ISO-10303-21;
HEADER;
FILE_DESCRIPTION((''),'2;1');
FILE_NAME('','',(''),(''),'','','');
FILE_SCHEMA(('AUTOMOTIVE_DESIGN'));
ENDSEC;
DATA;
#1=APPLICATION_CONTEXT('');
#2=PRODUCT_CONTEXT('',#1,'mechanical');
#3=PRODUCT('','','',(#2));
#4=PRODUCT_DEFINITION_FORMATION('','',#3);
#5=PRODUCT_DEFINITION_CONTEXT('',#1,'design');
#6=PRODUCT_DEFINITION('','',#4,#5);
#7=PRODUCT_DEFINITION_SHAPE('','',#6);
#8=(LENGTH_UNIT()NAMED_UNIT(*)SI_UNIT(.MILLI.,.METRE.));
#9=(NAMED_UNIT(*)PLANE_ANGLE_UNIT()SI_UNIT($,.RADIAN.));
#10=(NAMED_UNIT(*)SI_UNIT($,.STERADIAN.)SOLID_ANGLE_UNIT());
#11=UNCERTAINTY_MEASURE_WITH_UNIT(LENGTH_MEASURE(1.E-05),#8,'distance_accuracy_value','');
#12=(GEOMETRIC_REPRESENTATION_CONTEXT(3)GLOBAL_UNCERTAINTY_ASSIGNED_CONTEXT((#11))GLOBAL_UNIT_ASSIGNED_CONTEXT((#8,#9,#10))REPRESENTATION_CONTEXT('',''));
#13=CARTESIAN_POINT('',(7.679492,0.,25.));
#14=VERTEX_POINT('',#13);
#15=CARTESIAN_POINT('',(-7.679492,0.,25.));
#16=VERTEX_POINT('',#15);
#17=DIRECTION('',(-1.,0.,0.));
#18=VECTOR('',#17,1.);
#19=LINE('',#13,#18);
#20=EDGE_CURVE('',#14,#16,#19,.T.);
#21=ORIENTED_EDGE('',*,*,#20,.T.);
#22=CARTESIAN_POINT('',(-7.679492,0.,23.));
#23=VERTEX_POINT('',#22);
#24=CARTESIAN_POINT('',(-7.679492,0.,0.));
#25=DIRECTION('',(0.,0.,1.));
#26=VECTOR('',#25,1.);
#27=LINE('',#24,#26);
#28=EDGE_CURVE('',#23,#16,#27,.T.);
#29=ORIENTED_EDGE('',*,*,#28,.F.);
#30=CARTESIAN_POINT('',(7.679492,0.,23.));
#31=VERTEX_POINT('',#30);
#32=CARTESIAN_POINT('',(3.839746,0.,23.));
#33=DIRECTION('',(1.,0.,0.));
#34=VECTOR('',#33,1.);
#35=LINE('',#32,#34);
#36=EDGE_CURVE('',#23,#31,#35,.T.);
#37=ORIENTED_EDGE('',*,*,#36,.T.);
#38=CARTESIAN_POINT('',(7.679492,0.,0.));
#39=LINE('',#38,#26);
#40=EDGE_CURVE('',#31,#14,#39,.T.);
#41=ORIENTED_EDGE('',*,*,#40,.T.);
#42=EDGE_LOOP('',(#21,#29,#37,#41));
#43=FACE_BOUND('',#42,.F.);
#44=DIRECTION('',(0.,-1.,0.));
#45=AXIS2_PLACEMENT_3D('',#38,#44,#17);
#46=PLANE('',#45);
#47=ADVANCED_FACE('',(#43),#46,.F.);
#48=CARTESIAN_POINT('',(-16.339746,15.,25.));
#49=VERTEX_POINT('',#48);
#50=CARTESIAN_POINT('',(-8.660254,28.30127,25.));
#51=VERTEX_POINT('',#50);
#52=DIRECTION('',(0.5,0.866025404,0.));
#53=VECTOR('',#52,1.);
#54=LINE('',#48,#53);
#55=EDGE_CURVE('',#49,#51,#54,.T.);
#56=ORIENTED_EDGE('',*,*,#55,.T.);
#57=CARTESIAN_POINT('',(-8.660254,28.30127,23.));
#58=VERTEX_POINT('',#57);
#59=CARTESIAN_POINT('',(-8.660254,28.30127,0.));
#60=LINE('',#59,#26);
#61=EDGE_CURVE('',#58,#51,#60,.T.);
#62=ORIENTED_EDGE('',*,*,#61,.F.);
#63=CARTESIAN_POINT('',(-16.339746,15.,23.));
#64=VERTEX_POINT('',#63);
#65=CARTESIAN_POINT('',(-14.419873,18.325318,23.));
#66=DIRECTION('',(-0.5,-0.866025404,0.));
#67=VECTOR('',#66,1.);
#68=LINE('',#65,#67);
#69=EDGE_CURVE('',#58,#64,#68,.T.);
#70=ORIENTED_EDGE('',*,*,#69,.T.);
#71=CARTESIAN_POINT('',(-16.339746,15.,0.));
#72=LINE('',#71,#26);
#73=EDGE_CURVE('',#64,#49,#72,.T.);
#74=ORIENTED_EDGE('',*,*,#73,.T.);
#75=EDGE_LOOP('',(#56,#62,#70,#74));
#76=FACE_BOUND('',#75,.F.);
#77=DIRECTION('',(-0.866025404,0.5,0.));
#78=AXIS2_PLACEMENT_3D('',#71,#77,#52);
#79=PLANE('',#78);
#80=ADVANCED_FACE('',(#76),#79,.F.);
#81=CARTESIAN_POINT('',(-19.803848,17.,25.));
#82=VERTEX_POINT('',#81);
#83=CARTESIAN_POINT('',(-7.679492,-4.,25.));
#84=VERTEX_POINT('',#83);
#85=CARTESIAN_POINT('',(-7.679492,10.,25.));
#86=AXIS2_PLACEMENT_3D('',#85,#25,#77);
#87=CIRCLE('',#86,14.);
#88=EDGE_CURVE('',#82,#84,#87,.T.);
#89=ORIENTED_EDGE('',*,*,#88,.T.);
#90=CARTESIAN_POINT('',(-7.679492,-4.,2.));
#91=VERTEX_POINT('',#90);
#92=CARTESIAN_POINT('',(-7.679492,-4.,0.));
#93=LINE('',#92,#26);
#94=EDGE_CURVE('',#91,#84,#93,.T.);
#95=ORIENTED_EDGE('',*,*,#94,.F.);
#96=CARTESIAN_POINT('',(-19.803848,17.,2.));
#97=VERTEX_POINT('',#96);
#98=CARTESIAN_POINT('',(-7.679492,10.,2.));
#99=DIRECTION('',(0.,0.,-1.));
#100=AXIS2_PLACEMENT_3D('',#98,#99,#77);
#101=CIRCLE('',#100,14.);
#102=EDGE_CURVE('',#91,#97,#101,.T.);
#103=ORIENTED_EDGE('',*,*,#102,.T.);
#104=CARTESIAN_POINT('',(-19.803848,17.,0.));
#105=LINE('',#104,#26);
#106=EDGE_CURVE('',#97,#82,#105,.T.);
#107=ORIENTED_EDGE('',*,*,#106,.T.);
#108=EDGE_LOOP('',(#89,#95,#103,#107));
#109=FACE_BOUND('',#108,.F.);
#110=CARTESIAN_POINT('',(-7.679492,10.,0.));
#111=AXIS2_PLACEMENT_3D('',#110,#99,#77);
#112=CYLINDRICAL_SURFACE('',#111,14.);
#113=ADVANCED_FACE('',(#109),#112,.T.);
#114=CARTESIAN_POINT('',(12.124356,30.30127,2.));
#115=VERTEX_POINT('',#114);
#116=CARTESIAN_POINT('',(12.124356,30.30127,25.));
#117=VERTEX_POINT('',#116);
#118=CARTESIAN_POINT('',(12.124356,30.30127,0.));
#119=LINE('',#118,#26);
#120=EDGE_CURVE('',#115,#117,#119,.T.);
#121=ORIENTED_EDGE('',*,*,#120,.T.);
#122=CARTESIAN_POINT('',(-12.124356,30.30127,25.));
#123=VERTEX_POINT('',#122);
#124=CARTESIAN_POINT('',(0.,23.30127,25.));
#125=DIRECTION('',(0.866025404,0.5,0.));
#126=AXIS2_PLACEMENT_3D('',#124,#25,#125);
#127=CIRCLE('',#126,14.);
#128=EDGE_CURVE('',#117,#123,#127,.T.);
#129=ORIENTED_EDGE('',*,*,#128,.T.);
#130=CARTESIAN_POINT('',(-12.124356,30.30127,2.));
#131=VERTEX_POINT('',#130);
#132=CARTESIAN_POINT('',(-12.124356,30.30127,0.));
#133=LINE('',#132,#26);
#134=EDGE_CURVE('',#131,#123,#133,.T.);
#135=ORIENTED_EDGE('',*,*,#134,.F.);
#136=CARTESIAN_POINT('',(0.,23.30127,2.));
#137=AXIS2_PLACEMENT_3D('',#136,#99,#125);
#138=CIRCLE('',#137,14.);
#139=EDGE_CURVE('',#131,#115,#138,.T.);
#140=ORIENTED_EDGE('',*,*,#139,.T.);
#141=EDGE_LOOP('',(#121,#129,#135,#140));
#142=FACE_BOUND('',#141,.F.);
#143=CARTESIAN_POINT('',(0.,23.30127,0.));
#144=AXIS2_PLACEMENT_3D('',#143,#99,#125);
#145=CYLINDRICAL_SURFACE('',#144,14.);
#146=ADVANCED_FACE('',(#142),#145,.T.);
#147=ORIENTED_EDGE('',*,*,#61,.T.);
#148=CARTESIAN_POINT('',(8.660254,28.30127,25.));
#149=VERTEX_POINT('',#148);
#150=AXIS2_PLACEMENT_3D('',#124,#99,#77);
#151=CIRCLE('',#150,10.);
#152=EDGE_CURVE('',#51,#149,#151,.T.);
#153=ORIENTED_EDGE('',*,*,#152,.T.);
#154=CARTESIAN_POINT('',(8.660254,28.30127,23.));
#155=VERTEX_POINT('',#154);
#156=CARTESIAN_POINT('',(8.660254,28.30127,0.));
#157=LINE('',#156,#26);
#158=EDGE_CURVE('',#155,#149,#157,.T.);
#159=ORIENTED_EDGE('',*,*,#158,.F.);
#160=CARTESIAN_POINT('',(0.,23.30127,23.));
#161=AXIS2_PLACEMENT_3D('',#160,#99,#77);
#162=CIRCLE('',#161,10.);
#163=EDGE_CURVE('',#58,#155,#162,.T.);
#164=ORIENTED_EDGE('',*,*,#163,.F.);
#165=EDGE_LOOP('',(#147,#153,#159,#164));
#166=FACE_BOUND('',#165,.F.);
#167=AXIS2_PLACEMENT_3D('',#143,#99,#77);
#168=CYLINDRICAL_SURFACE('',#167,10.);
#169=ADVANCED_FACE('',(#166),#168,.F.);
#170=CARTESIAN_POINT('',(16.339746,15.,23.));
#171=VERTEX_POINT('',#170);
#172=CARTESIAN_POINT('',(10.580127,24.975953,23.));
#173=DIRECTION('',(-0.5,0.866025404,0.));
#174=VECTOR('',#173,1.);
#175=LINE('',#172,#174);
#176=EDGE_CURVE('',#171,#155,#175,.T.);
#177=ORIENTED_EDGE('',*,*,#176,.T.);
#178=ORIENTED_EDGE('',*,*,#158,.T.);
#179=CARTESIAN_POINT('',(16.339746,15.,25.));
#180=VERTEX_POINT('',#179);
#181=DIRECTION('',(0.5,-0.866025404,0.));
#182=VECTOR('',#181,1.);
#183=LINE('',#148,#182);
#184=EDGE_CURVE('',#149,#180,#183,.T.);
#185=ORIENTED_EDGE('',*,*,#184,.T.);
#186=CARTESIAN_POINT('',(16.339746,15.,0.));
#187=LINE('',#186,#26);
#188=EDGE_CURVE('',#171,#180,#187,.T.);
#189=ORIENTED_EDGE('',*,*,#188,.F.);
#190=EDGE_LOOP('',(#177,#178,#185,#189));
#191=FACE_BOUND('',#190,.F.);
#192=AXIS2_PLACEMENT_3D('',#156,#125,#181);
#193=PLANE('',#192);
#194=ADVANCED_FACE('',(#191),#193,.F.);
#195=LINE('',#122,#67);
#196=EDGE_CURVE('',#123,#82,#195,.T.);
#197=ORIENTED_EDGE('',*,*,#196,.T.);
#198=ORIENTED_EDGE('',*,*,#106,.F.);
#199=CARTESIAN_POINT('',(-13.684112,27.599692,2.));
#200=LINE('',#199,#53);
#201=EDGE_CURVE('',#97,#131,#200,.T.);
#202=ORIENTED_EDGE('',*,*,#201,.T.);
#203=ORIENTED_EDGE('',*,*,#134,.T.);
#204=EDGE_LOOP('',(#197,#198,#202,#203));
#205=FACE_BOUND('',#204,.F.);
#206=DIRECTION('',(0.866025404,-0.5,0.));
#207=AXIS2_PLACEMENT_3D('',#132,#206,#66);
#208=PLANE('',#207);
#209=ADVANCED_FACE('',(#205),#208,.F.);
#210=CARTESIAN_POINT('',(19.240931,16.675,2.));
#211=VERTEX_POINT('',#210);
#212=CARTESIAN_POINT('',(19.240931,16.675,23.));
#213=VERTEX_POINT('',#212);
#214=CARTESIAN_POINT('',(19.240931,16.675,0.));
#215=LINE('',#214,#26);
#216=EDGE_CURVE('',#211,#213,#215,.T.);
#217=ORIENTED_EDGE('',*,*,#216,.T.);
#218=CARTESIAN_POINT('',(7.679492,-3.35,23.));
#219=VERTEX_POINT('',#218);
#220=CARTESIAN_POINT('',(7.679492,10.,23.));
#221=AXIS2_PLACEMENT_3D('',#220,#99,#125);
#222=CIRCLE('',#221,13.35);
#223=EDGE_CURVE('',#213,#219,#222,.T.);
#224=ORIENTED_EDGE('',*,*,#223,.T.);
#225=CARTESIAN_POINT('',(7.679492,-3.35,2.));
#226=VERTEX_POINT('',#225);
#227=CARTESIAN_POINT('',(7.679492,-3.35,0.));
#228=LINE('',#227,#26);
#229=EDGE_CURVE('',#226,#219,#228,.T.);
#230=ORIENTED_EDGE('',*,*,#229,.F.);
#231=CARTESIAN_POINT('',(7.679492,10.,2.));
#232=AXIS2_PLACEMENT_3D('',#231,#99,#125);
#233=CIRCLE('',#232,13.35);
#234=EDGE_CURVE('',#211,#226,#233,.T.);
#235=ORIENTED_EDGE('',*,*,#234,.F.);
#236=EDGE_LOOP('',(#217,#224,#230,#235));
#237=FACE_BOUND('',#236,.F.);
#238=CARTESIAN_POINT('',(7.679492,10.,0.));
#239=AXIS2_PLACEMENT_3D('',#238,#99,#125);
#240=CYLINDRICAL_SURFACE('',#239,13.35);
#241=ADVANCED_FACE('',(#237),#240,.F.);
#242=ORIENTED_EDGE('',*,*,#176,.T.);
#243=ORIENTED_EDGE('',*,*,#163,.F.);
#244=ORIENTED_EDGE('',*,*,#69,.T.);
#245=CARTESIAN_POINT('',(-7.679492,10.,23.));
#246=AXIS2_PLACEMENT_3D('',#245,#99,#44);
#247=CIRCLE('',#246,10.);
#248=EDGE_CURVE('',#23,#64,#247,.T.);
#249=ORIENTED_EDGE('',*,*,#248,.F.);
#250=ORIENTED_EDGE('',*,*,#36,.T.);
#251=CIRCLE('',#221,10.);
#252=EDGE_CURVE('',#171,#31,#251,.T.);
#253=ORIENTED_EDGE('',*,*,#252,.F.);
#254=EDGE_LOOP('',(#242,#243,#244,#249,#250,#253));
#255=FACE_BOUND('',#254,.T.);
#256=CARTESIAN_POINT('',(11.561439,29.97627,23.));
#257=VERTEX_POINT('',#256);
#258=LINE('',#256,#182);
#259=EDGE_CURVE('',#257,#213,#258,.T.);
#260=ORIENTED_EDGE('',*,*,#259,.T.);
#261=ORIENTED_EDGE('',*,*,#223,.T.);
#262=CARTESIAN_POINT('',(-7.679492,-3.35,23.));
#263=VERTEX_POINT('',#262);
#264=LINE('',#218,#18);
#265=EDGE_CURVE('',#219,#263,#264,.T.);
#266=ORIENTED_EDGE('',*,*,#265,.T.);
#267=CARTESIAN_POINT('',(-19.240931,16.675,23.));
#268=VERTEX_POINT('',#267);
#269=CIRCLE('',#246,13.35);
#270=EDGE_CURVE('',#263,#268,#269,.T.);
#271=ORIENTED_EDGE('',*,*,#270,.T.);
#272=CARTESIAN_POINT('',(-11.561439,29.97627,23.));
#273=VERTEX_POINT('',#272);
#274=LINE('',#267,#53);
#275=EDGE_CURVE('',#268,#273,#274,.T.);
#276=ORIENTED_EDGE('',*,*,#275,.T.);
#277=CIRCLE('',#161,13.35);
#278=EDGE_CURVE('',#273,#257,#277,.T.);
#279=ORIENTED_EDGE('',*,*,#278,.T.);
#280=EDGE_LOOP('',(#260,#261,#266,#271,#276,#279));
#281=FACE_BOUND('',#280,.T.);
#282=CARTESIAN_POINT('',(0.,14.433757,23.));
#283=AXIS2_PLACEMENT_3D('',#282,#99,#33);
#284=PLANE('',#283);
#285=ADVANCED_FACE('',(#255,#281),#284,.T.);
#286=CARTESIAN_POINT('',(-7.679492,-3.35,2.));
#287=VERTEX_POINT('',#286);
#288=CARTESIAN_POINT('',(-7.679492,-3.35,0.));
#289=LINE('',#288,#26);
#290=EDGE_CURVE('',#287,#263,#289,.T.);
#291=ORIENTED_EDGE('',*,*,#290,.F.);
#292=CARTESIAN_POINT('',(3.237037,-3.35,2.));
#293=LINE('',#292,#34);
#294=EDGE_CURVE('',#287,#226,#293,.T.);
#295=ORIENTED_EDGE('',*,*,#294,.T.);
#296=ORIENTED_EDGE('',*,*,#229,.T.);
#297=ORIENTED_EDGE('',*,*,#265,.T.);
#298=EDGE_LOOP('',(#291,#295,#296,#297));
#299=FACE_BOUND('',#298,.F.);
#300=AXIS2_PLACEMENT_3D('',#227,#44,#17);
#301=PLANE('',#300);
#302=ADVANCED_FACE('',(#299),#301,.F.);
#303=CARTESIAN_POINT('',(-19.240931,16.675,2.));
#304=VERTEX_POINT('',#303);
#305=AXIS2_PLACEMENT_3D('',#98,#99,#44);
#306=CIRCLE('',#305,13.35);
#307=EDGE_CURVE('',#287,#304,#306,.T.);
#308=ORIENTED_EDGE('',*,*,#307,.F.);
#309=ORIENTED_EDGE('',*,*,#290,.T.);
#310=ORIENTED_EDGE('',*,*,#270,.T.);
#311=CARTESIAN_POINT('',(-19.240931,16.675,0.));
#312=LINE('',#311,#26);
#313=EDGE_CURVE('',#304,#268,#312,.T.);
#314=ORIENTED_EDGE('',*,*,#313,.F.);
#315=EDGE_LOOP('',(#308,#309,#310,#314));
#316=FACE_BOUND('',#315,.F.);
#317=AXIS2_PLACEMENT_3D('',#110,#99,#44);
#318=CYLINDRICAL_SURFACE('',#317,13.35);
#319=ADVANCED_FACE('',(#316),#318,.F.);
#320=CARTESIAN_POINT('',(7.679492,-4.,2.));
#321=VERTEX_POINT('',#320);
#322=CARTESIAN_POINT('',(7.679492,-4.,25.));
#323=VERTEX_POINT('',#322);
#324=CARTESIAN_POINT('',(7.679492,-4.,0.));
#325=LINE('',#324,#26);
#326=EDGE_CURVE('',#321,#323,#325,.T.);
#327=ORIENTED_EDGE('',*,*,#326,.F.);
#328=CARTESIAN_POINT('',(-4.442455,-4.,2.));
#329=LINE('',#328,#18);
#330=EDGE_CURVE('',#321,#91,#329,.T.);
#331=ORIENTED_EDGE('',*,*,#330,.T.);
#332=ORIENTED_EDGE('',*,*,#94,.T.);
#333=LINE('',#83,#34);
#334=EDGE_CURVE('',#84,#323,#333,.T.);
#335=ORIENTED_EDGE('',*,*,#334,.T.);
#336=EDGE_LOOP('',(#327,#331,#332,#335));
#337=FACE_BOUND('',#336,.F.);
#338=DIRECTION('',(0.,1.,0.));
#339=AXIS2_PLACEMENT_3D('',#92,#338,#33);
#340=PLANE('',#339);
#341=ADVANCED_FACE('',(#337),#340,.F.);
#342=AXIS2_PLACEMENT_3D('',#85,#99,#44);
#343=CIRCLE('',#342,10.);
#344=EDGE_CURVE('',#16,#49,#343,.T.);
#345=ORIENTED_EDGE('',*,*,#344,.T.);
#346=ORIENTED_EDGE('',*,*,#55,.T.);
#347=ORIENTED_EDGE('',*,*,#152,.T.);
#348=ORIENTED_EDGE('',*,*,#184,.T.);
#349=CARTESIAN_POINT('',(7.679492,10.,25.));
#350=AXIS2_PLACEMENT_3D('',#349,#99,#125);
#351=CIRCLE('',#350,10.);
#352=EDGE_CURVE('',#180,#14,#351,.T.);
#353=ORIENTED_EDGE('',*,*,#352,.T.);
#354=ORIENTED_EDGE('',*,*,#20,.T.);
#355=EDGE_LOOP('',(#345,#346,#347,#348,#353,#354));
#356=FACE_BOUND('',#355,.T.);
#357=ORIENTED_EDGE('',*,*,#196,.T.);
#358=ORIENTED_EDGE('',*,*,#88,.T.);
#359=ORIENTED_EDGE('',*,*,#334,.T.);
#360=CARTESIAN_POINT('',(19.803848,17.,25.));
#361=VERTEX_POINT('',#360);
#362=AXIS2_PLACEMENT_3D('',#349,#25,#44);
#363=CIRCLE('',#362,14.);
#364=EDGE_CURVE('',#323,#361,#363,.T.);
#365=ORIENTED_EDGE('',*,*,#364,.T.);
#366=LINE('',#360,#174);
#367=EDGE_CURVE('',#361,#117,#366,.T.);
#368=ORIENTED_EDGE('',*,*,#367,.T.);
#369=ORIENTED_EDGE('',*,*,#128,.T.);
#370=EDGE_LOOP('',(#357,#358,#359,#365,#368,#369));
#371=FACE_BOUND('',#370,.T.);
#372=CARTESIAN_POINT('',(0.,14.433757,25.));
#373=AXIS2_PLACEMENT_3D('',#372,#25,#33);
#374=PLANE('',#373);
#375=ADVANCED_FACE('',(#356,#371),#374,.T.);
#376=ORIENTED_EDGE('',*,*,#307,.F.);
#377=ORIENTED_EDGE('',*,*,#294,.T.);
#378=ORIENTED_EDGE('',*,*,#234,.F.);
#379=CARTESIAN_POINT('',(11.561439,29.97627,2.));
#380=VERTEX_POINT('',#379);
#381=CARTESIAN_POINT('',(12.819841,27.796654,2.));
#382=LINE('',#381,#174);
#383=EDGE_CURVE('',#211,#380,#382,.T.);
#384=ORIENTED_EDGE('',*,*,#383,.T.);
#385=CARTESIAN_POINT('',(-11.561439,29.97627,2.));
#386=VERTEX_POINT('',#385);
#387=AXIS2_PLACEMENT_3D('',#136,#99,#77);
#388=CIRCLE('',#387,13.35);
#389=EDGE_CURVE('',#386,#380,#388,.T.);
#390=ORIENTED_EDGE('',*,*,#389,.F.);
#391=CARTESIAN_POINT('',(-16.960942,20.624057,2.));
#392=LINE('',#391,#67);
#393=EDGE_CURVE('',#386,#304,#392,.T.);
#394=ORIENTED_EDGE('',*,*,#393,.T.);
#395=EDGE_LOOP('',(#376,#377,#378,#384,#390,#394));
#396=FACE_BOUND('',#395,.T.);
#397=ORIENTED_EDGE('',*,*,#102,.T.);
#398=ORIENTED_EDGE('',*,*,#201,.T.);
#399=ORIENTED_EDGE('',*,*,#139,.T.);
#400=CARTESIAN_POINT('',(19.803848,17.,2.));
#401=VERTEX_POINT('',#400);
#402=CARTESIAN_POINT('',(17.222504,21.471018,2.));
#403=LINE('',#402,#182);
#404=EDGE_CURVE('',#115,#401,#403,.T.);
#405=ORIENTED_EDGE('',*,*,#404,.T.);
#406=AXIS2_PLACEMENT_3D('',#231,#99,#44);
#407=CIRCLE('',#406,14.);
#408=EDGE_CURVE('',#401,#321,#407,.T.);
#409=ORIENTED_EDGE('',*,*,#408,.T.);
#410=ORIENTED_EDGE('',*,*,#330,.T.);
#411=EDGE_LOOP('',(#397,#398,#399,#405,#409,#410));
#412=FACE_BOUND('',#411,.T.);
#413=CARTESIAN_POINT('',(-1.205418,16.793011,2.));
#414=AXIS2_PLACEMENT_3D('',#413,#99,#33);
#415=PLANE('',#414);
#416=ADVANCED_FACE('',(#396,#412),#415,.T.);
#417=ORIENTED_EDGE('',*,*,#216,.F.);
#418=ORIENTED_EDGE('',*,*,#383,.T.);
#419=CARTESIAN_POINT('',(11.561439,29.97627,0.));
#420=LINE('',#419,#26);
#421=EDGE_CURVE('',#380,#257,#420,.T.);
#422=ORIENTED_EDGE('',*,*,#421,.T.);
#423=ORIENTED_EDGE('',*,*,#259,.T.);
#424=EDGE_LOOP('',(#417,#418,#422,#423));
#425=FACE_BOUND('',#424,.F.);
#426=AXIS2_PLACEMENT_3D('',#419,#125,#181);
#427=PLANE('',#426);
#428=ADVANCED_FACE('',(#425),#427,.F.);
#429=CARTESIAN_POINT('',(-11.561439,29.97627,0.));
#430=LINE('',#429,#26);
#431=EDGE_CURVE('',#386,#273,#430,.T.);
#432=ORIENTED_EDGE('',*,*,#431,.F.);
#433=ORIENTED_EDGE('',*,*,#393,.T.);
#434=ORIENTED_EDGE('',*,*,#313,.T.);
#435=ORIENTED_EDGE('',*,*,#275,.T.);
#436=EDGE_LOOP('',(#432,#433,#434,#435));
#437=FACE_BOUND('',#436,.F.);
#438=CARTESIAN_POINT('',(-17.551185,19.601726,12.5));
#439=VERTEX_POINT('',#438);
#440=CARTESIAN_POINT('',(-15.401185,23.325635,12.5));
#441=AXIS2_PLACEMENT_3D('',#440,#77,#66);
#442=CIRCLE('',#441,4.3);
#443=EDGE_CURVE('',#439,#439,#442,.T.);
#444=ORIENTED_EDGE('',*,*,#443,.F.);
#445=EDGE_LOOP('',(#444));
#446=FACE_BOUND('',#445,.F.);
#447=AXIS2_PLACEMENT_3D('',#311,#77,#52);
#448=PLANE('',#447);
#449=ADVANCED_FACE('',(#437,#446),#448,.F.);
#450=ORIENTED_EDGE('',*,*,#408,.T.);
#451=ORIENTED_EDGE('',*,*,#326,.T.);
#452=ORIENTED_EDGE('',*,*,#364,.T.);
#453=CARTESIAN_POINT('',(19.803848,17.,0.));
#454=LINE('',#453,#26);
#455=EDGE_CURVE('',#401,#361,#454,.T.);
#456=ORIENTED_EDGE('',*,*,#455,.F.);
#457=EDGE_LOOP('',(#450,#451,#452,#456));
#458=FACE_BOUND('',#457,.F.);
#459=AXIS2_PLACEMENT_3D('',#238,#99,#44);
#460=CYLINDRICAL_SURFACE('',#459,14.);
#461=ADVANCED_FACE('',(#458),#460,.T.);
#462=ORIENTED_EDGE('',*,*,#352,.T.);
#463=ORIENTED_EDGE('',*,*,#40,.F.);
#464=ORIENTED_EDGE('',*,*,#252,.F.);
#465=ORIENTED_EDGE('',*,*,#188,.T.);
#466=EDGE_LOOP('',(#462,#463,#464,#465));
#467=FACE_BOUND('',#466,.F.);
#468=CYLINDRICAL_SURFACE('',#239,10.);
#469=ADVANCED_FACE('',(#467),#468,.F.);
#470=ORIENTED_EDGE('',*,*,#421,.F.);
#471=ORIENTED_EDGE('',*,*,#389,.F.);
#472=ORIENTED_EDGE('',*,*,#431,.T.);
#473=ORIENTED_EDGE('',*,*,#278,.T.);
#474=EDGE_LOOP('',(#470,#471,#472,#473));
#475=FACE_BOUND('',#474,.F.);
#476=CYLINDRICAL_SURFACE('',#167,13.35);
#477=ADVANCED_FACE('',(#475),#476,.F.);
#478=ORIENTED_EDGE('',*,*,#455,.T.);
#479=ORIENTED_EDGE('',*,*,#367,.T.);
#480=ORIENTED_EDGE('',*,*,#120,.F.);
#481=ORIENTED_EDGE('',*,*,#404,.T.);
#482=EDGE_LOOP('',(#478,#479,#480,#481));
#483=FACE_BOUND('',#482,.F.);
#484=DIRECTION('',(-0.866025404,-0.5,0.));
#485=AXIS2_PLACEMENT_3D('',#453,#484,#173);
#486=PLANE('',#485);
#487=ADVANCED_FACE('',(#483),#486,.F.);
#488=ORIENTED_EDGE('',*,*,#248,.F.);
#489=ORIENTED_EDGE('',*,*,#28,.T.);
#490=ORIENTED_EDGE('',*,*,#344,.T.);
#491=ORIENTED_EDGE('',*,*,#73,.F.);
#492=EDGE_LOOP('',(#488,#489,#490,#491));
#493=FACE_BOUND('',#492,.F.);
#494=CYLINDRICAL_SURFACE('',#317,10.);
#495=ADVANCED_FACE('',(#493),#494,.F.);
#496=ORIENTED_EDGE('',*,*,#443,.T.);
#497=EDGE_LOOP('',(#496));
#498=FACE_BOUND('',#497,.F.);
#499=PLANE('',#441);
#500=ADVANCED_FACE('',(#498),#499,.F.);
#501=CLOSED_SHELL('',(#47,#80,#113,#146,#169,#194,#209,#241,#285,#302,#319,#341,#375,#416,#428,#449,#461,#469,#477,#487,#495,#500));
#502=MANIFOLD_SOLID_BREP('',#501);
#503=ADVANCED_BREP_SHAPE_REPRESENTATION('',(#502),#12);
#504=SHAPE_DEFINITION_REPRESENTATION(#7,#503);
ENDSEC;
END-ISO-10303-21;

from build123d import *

# Parameters (mm, degrees)
F1_DEPTH = 25
F3_START = -0.65
F2_R     = 4.3
F3_DEPTH = 2.15
F6_DEPTH = 23
F7_R     = 33.55183595
F8_DEPTH = 2


with BuildPart() as f1:
    # F0 (on Top) → F1 (new body)
    with BuildSketch(Plane.XY):
        with BuildLine():
            ThreePointArc((7.6794919243, -4), (19.8038475773, 3), (19.8038475773, 17))
            Line((19.8038475773, 17), (12.124355653, 30.3012701892))
            ThreePointArc((12.124355653, 30.3012701892), (0, 37.3012701892), (-12.124355653, 30.3012701892))
            Line((-12.124355653, 30.3012701892), (-19.8038475773, 17))
            ThreePointArc((-19.8038475773, 17), (-19.8038475773, 3), (-7.6794919243, -4))
            Line((-7.6794919243, -4), (0, -4))
            Line((0, -4), (7.6794919243, -4))
        make_face()
        with BuildLine():
            Line((7.6794919243, 0), (0, 0))
            Line((0, 0), (-7.6794919243, 0))
            ThreePointArc((-7.6794919243, 0), (-16.3397459622, 5), (-16.3397459622, 15))
            Line((-16.3397459622, 15), (-8.6602540378, 28.3012701892))
            ThreePointArc((-8.6602540378, 28.3012701892), (0, 33.3012701892), (8.6602540378, 28.3012701892))
            Line((8.6602540378, 28.3012701892), (16.3397459622, 15))
            ThreePointArc((16.3397459622, 15), (16.3397459622, 5), (7.6794919243, 0))
        make_face(mode=Mode.SUBTRACT)
    extrude(amount=F1_DEPTH)

    # F2 (on face) → F3 (cut)
    with BuildSketch(Plane(origin=(-22.2141016151, 12.8253175473, 0), x_dir=(-0.5, -0.8660254038, 0), z_dir=(-0.8660254038, 0.5, 0)).offset(F3_START)):
        with Locations((-12.5, 12.5)):
            Circle(F2_R)
    extrude(amount=-F3_DEPTH, mode=Mode.SUBTRACT)

    # F5 (on face) → F6 (cut)
    with BuildSketch(Plane(origin=(0, 0, 0), x_dir=(1, 0, 0), z_dir=(0, 0, -1))):
        with BuildLine():
            Line((-19.2409310648, -16.675), (-11.5614391405, -29.9762701892))
            ThreePointArc((-11.5614391405, -29.9762701892), (0, -36.6512701892), (11.5614391405, -29.9762701892))
            Line((11.5614391405, -29.9762701892), (19.2409310648, -16.675))
            ThreePointArc((19.2409310648, -16.675), (19.2409310648, -3.325), (7.6794919243, 3.35))
            Line((7.6794919243, 3.35), (-7.6794919243, 3.35))
            ThreePointArc((-7.6794919243, 3.35), (-19.2409310648, -3.325), (-19.2409310648, -16.675))
        make_face()
    extrude(amount=-F6_DEPTH, mode=Mode.SUBTRACT)

    # F7 (on face) → F8 (cut)
    with BuildSketch(Plane(origin=(0, 0, 0), x_dir=(1, 0, 0), z_dir=(0, 0, -1))):
        with Locations((-1.2054177932, -16.7930107564)):
            Circle(F7_R)
    extrude(amount=-F8_DEPTH, mode=Mode.SUBTRACT)


solid = f1.part
